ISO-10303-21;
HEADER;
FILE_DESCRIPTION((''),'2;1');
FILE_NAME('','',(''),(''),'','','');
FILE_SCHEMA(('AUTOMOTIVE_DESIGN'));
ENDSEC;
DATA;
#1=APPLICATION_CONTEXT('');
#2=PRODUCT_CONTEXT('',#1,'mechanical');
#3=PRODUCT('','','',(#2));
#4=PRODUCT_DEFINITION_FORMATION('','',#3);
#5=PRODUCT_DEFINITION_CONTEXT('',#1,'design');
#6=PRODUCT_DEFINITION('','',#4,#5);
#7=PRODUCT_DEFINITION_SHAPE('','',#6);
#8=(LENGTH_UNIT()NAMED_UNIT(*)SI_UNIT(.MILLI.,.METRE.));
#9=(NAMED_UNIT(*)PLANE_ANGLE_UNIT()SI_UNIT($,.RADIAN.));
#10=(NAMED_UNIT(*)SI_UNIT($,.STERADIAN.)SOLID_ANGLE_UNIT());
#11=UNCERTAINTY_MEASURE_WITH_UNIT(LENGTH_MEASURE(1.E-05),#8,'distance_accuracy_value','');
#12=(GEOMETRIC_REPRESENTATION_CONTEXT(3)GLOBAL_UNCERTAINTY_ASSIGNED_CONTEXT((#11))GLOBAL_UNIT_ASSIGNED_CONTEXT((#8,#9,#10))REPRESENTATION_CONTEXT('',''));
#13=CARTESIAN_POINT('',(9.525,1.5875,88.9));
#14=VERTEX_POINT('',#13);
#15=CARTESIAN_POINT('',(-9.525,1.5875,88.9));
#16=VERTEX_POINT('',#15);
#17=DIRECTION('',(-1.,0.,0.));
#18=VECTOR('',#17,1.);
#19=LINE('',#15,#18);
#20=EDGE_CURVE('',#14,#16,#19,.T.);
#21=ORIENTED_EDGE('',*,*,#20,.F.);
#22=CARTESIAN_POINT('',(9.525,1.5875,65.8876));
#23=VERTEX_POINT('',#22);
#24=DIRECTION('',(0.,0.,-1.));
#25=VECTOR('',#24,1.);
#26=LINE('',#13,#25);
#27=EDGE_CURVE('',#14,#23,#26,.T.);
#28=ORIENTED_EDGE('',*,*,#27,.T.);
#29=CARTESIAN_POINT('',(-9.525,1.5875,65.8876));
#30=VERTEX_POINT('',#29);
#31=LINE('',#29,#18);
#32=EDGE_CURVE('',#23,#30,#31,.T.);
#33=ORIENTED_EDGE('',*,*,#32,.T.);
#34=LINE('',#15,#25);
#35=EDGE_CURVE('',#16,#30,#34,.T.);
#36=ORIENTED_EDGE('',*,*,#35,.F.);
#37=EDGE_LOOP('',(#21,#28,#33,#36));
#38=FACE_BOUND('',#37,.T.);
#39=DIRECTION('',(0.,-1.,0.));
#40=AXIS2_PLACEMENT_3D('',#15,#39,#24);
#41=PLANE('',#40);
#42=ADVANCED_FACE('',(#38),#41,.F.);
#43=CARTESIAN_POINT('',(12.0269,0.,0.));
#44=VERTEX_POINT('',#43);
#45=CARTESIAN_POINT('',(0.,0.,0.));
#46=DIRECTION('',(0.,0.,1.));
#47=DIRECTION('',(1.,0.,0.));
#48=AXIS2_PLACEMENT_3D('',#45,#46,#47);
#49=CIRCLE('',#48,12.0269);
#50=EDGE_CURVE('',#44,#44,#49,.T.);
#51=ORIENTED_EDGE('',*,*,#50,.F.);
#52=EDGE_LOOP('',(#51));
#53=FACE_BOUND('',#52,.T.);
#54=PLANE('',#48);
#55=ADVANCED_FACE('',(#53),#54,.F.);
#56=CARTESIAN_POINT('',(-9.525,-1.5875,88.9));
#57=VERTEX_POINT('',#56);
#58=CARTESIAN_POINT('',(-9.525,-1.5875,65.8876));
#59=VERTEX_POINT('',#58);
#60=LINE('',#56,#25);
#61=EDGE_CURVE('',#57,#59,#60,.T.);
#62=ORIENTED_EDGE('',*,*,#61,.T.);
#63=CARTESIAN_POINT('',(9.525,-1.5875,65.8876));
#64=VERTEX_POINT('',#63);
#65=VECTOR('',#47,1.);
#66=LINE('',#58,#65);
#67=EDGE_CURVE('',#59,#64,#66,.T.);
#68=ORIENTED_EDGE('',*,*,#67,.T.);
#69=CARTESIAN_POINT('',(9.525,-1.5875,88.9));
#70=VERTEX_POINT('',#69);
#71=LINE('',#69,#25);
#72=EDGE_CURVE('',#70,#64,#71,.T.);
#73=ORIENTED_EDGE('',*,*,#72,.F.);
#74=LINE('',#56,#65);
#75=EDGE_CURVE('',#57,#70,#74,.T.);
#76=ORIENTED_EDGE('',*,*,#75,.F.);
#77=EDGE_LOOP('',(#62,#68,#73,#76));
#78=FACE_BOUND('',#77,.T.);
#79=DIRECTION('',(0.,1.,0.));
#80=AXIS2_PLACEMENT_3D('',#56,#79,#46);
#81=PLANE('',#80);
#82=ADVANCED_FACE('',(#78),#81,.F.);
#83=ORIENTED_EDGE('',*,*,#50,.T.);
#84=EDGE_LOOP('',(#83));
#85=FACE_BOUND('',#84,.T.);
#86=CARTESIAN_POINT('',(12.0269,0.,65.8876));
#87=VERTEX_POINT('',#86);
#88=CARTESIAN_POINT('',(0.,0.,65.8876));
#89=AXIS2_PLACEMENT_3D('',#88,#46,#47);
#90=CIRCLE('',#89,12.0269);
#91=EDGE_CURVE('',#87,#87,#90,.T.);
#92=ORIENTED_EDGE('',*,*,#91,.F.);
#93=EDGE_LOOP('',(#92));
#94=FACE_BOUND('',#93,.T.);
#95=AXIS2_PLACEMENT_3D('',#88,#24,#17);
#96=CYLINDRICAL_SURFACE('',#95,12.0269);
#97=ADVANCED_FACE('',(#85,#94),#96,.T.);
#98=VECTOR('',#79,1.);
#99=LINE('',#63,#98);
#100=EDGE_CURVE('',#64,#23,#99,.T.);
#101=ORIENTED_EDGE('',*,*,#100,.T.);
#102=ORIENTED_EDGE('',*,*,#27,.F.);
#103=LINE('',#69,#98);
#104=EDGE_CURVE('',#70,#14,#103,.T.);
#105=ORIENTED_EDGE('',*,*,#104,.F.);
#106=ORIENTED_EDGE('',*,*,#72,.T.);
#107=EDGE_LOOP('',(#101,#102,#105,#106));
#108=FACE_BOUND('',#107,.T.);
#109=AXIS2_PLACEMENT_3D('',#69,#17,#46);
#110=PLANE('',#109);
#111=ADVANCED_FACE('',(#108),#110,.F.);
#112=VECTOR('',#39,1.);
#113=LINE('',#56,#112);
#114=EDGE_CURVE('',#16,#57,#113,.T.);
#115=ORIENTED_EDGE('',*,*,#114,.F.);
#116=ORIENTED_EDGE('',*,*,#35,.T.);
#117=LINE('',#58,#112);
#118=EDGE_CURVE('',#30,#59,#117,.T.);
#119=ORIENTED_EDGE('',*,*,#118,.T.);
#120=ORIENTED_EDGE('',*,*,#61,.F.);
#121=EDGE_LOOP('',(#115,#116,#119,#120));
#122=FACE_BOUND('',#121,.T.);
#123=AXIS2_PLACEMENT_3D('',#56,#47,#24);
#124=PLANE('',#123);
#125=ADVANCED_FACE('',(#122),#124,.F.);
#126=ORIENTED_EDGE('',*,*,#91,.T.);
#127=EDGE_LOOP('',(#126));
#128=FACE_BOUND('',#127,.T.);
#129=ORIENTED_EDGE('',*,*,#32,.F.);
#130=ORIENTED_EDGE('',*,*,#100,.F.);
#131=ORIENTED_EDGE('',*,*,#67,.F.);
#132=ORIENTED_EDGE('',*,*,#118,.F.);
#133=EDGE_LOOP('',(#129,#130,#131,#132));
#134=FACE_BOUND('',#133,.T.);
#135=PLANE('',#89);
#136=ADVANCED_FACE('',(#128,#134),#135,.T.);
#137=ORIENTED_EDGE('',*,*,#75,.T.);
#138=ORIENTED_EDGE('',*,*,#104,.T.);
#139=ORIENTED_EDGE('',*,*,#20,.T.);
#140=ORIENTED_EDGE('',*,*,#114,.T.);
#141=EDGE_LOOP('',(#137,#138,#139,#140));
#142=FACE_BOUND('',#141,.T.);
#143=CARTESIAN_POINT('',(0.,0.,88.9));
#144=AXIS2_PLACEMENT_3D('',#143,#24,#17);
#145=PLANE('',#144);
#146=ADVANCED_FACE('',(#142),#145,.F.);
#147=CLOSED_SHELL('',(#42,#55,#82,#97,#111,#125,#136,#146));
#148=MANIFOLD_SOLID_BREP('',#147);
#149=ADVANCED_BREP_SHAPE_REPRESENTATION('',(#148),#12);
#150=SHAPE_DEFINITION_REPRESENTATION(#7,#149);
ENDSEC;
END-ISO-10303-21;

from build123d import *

# Parameters (mm, degrees)
SKETCH1_R           = 12.0269
BOSS_EXTRUDE1_DEPTH = 65.8876
SKETCH2_W           = 19.05
SKETCH2_H           = 3.175
BOSS_EXTRUDE2_DEPTH = 23.0124


with BuildPart() as part:
    # Sketch1 → Boss-Extrude1 (new body)
    with BuildSketch(Plane.XY):
        Circle(SKETCH1_R)
    extrude(amount=BOSS_EXTRUDE1_DEPTH)

    # Sketch2 → Boss-Extrude2 (add)
    with BuildSketch(Plane.XY.offset(65.8876)):
        Rectangle(SKETCH2_W, SKETCH2_H)
    extrude(amount=BOSS_EXTRUDE2_DEPTH)


solid = part.part
